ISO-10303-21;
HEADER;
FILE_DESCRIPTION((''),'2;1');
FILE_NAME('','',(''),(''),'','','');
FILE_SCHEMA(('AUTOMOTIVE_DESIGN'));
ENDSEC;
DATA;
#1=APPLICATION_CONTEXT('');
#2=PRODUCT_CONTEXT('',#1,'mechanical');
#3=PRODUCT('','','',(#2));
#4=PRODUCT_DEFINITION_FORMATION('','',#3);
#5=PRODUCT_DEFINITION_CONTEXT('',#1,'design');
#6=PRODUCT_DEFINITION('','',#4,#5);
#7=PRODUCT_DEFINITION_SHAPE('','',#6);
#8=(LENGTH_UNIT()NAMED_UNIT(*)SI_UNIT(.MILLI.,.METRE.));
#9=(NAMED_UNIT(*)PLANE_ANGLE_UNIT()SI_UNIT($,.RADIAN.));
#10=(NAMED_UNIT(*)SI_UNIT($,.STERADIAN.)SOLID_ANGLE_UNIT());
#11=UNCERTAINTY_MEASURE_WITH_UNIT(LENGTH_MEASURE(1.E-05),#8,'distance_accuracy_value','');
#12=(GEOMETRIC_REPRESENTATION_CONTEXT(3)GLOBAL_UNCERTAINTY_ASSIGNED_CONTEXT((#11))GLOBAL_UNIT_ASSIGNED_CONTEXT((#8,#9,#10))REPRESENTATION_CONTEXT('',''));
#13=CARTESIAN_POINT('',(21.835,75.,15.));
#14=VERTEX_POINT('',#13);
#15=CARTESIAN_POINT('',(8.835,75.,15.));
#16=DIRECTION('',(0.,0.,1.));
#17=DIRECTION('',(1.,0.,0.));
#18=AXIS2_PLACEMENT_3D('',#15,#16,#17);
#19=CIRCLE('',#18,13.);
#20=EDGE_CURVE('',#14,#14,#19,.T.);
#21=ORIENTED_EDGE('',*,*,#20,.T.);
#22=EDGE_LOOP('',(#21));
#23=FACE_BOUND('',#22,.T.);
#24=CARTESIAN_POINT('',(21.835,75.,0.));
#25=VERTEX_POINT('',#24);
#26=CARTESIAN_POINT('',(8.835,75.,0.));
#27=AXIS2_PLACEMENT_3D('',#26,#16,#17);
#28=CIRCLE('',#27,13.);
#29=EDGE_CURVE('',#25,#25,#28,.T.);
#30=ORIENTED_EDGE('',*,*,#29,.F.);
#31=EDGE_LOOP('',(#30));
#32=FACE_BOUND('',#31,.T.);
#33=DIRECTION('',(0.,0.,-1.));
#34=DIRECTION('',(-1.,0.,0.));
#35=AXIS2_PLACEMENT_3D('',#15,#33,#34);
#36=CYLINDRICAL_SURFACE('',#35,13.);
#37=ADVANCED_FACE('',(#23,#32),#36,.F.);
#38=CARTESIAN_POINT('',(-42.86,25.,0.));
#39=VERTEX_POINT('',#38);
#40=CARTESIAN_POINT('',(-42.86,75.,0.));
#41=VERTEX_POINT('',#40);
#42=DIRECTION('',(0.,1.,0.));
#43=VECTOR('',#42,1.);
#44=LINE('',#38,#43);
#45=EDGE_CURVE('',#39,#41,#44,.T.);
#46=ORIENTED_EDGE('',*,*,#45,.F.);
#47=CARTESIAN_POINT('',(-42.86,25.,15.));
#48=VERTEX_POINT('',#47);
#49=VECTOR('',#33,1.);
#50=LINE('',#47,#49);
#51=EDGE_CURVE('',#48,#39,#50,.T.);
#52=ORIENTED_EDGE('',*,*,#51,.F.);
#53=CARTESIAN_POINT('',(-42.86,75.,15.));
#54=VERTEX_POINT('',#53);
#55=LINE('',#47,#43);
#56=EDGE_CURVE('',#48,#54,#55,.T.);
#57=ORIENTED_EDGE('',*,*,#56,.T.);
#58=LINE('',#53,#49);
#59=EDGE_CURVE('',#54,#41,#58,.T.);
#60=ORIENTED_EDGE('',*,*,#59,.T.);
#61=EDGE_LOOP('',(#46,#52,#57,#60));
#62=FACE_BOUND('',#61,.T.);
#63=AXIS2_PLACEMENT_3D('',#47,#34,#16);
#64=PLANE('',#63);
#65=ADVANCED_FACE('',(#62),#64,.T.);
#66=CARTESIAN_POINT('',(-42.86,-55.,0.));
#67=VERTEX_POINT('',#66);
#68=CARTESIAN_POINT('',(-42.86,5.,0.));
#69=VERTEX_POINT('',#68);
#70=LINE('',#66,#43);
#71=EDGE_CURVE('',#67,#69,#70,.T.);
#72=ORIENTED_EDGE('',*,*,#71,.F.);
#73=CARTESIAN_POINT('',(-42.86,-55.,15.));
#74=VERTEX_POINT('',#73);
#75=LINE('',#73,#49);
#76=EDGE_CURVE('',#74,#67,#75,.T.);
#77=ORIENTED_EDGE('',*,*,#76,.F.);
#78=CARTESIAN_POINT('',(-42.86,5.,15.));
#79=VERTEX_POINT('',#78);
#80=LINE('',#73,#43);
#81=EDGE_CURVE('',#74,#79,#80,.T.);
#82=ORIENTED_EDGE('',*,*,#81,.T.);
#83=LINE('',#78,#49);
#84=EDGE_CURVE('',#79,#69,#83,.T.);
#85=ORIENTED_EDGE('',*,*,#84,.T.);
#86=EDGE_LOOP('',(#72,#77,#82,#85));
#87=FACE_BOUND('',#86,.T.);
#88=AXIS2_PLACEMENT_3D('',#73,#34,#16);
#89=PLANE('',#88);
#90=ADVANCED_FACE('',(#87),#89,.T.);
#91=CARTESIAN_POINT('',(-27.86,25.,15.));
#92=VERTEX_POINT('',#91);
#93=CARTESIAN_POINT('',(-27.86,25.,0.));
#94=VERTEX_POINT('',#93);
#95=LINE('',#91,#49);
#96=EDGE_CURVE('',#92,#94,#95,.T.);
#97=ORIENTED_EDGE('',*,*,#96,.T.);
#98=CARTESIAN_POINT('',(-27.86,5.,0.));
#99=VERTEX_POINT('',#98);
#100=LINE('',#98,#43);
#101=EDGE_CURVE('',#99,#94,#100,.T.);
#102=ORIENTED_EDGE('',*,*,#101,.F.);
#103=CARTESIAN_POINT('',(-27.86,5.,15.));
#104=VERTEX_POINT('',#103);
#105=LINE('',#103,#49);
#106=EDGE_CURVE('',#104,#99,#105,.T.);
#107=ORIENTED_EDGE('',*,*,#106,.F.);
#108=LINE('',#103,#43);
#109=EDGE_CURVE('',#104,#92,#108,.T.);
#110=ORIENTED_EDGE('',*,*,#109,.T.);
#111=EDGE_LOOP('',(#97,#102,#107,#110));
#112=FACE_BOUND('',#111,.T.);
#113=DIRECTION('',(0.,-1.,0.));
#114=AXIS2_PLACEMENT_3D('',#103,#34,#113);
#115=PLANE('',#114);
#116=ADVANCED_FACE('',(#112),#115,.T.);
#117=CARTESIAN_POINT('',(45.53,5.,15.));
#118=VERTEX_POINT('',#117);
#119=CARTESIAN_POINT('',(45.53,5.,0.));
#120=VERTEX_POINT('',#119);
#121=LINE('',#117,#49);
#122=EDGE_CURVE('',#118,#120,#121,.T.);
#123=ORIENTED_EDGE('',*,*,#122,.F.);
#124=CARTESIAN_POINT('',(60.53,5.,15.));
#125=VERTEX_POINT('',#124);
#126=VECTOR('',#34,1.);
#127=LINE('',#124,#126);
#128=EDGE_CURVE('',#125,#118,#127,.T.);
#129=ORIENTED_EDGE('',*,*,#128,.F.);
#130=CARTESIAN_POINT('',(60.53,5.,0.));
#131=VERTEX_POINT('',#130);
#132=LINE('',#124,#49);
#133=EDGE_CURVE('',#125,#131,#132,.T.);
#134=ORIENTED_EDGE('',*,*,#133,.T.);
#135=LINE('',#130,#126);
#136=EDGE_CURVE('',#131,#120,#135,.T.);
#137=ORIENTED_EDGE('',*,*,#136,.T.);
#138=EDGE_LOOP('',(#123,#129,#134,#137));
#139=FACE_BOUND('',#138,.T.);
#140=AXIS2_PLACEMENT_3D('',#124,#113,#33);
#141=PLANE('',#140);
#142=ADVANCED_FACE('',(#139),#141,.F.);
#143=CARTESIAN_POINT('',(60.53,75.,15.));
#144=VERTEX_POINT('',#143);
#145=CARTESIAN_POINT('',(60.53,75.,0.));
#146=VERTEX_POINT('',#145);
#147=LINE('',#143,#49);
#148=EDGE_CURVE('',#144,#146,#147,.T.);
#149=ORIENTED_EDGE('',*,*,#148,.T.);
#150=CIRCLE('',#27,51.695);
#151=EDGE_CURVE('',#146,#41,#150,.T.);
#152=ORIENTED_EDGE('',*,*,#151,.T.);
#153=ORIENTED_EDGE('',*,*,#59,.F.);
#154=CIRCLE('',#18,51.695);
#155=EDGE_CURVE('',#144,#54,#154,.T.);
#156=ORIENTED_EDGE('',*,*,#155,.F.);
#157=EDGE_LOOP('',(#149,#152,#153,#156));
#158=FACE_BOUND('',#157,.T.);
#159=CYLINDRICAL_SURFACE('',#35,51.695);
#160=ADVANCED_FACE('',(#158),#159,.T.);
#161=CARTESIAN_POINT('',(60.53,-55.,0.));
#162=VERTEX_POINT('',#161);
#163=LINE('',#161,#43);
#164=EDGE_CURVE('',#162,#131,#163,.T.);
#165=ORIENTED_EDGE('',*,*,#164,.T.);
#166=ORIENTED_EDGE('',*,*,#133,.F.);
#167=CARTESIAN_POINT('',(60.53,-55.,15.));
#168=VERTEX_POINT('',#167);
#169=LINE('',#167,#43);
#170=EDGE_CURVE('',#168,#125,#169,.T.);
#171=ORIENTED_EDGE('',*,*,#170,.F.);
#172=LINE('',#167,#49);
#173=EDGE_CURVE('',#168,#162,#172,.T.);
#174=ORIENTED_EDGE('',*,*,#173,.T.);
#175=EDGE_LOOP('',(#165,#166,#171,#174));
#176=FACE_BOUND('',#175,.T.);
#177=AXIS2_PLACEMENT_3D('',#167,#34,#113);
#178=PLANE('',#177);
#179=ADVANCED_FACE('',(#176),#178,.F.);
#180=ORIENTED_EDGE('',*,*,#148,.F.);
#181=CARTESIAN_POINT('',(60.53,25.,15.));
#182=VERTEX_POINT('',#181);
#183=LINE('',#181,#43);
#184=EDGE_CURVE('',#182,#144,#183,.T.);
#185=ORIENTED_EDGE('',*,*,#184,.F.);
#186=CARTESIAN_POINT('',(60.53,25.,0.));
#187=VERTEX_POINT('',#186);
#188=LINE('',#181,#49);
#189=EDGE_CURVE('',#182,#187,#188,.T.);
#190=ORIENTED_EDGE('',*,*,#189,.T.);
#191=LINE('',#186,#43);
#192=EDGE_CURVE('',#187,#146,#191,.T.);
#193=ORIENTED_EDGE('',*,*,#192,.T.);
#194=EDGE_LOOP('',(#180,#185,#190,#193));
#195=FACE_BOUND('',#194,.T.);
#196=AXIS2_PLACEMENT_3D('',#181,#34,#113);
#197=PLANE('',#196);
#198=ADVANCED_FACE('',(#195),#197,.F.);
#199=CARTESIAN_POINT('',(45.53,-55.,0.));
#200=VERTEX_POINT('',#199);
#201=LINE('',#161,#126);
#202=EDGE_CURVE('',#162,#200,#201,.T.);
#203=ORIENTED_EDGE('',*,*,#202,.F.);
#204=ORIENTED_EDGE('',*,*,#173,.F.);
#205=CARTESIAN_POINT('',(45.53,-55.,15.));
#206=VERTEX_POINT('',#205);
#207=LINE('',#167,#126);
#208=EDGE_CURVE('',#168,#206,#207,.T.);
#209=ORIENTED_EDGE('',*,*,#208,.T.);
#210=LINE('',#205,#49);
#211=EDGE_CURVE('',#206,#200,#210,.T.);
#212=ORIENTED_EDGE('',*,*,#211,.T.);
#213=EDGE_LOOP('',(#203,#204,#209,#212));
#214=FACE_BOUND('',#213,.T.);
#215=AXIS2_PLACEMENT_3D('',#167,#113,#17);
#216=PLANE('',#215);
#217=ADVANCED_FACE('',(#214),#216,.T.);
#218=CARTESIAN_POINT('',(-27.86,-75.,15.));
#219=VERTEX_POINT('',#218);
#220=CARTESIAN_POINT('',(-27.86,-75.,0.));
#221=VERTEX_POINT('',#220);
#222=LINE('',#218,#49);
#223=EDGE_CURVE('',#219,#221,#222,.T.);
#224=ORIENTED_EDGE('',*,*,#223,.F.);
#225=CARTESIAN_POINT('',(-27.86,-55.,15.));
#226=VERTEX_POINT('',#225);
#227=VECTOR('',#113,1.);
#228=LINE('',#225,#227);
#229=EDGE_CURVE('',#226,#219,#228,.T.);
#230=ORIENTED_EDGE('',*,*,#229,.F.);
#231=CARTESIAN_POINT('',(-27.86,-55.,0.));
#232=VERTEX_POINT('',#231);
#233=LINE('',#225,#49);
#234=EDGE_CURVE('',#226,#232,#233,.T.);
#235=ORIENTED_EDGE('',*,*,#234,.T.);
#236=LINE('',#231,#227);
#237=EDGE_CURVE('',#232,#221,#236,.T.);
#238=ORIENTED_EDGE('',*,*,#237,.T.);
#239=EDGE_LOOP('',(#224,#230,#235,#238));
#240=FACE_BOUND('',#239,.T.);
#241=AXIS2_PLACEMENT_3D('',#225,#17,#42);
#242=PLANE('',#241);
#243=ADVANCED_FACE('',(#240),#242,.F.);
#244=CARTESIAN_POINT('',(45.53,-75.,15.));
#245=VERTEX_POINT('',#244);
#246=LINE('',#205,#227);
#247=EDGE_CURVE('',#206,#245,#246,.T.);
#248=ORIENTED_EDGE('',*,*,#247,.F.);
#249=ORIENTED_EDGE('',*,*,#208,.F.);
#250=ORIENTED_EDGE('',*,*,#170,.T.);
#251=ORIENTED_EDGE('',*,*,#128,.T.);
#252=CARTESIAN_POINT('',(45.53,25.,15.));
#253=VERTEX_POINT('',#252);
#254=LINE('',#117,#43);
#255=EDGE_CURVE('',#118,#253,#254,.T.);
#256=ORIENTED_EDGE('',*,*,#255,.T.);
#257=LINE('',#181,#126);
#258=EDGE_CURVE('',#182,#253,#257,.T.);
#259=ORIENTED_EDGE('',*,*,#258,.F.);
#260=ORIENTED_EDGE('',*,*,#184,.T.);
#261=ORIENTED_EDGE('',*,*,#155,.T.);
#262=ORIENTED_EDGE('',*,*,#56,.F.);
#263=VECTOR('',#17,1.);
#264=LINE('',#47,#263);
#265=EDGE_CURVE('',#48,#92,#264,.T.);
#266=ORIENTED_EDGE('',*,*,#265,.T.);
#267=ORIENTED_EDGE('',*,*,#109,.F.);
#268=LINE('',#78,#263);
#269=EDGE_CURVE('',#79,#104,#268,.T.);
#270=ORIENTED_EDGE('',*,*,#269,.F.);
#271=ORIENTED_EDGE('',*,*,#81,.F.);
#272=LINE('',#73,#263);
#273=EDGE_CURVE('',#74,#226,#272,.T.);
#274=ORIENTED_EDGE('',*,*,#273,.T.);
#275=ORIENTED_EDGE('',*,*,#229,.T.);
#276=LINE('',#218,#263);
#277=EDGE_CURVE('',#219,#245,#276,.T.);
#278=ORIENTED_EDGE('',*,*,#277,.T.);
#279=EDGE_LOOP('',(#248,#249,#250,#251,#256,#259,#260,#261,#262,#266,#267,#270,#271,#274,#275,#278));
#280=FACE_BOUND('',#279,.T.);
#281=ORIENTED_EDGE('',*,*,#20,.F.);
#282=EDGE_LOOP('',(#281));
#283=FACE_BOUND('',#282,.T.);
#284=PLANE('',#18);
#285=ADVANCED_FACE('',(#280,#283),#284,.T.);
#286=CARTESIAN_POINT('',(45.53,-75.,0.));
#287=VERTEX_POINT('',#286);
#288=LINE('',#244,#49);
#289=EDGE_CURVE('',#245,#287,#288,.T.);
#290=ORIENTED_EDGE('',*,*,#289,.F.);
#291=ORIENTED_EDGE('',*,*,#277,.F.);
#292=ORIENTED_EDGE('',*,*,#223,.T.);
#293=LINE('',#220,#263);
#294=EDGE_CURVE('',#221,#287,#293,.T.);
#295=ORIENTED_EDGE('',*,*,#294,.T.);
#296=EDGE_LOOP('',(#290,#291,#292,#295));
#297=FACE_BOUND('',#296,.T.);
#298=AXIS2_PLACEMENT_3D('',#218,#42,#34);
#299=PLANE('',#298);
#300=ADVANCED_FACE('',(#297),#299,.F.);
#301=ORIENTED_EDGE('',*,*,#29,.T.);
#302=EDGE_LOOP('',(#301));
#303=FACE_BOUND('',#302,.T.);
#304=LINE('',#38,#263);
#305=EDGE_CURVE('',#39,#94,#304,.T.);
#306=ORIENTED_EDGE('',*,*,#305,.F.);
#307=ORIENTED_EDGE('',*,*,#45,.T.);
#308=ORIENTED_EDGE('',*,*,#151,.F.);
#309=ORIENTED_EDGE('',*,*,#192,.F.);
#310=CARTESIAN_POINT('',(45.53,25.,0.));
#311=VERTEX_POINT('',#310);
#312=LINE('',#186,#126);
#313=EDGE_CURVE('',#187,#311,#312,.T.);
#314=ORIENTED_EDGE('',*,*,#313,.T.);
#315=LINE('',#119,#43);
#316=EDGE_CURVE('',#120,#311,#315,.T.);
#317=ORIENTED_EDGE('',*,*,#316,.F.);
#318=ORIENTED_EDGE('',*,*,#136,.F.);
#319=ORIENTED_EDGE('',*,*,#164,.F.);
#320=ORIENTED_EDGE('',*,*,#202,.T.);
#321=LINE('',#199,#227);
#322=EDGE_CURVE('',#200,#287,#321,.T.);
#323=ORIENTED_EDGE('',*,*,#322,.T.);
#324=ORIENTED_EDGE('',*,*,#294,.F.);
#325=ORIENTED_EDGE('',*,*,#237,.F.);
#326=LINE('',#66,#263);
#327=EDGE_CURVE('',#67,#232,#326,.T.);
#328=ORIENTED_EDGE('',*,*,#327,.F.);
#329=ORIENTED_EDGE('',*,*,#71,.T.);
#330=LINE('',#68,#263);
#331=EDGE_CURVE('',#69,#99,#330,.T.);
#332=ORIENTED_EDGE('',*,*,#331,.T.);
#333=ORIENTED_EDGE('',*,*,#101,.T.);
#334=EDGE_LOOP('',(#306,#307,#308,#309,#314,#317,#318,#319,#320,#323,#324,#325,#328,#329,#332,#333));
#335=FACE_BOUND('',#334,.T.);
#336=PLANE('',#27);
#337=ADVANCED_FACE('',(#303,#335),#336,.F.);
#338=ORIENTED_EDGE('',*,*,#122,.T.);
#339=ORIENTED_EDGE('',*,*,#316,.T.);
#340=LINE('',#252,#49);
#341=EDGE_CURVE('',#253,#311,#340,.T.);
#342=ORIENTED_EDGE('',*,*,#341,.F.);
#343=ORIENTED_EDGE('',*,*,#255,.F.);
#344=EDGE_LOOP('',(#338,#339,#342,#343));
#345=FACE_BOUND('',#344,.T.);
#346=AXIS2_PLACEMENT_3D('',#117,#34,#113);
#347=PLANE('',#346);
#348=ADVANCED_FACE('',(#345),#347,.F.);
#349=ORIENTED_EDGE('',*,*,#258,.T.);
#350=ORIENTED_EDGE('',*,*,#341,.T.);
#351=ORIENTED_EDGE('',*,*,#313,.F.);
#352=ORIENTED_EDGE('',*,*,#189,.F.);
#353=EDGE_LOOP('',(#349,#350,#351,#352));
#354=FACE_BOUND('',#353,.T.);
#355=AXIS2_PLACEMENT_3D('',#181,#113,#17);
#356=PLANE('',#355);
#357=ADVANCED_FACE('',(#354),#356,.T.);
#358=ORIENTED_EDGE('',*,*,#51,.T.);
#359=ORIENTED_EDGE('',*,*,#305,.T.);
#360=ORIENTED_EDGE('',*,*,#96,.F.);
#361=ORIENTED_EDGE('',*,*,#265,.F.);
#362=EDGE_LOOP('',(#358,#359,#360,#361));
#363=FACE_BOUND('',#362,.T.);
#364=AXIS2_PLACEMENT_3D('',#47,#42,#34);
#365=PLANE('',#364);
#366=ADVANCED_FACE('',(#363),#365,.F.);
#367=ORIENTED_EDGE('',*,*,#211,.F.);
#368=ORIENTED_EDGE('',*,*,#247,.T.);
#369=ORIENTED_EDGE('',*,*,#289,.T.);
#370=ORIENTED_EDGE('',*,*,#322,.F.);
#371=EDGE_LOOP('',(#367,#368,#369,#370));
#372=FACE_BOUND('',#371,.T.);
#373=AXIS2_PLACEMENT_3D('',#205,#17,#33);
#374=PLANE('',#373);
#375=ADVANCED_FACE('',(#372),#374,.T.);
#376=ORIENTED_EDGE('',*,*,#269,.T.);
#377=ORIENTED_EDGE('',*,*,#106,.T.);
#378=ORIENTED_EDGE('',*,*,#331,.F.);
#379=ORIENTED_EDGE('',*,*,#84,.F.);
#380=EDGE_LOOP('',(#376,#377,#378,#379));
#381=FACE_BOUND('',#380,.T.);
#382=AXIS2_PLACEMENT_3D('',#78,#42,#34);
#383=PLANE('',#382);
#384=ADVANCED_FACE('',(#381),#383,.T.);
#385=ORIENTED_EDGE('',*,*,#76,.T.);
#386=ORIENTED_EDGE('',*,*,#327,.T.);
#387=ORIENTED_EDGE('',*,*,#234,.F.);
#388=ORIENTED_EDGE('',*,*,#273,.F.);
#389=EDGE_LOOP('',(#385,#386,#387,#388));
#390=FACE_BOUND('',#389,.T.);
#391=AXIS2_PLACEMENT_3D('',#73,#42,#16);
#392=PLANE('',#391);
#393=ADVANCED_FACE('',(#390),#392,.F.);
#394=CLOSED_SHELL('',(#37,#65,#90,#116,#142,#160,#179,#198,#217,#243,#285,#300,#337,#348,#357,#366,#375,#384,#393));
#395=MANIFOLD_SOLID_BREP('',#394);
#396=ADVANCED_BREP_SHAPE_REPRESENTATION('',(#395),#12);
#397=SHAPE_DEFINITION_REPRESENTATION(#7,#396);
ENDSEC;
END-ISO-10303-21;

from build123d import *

# Parameters (mm, degrees)
ESQUISSE1_R        = 13
BOSS_EXTRU_1_DEPTH = 15


with BuildPart() as part:
    # Esquisse1 → Boss.-Extru.1 (new body)
    with BuildSketch(Plane.XY):
        with BuildLine():
            Line((-27.86, -55), (-27.86, -75))
            Line((-27.86, -75), (45.53, -75))
            Line((45.53, -75), (45.53, -55))
            Line((45.53, -55), (60.53, -55))
            Line((60.53, -55), (60.53, 5))
            Line((60.53, 5), (45.53, 5))
            Line((45.53, 5), (45.53, 25))
            Line((45.53, 25), (60.53, 25))
            Line((60.53, 25), (60.53, 75))
            ThreePointArc((60.53, 75), (8.835, 126.695), (-42.86, 75))
            Line((-42.86, 75), (-42.86, 25))
            Line((-42.86, 25), (-27.86, 25))
            Line((-27.86, 25), (-27.86, 5))
            Line((-27.86, 5), (-42.86, 5))
            Line((-42.86, 5), (-42.86, -55))
            Line((-42.86, -55), (-27.86, -55))
        make_face()
        with Locations((8.835, 75)):
            Circle(ESQUISSE1_R, mode=Mode.SUBTRACT)
    extrude(amount=BOSS_EXTRU_1_DEPTH)


solid = part.part
